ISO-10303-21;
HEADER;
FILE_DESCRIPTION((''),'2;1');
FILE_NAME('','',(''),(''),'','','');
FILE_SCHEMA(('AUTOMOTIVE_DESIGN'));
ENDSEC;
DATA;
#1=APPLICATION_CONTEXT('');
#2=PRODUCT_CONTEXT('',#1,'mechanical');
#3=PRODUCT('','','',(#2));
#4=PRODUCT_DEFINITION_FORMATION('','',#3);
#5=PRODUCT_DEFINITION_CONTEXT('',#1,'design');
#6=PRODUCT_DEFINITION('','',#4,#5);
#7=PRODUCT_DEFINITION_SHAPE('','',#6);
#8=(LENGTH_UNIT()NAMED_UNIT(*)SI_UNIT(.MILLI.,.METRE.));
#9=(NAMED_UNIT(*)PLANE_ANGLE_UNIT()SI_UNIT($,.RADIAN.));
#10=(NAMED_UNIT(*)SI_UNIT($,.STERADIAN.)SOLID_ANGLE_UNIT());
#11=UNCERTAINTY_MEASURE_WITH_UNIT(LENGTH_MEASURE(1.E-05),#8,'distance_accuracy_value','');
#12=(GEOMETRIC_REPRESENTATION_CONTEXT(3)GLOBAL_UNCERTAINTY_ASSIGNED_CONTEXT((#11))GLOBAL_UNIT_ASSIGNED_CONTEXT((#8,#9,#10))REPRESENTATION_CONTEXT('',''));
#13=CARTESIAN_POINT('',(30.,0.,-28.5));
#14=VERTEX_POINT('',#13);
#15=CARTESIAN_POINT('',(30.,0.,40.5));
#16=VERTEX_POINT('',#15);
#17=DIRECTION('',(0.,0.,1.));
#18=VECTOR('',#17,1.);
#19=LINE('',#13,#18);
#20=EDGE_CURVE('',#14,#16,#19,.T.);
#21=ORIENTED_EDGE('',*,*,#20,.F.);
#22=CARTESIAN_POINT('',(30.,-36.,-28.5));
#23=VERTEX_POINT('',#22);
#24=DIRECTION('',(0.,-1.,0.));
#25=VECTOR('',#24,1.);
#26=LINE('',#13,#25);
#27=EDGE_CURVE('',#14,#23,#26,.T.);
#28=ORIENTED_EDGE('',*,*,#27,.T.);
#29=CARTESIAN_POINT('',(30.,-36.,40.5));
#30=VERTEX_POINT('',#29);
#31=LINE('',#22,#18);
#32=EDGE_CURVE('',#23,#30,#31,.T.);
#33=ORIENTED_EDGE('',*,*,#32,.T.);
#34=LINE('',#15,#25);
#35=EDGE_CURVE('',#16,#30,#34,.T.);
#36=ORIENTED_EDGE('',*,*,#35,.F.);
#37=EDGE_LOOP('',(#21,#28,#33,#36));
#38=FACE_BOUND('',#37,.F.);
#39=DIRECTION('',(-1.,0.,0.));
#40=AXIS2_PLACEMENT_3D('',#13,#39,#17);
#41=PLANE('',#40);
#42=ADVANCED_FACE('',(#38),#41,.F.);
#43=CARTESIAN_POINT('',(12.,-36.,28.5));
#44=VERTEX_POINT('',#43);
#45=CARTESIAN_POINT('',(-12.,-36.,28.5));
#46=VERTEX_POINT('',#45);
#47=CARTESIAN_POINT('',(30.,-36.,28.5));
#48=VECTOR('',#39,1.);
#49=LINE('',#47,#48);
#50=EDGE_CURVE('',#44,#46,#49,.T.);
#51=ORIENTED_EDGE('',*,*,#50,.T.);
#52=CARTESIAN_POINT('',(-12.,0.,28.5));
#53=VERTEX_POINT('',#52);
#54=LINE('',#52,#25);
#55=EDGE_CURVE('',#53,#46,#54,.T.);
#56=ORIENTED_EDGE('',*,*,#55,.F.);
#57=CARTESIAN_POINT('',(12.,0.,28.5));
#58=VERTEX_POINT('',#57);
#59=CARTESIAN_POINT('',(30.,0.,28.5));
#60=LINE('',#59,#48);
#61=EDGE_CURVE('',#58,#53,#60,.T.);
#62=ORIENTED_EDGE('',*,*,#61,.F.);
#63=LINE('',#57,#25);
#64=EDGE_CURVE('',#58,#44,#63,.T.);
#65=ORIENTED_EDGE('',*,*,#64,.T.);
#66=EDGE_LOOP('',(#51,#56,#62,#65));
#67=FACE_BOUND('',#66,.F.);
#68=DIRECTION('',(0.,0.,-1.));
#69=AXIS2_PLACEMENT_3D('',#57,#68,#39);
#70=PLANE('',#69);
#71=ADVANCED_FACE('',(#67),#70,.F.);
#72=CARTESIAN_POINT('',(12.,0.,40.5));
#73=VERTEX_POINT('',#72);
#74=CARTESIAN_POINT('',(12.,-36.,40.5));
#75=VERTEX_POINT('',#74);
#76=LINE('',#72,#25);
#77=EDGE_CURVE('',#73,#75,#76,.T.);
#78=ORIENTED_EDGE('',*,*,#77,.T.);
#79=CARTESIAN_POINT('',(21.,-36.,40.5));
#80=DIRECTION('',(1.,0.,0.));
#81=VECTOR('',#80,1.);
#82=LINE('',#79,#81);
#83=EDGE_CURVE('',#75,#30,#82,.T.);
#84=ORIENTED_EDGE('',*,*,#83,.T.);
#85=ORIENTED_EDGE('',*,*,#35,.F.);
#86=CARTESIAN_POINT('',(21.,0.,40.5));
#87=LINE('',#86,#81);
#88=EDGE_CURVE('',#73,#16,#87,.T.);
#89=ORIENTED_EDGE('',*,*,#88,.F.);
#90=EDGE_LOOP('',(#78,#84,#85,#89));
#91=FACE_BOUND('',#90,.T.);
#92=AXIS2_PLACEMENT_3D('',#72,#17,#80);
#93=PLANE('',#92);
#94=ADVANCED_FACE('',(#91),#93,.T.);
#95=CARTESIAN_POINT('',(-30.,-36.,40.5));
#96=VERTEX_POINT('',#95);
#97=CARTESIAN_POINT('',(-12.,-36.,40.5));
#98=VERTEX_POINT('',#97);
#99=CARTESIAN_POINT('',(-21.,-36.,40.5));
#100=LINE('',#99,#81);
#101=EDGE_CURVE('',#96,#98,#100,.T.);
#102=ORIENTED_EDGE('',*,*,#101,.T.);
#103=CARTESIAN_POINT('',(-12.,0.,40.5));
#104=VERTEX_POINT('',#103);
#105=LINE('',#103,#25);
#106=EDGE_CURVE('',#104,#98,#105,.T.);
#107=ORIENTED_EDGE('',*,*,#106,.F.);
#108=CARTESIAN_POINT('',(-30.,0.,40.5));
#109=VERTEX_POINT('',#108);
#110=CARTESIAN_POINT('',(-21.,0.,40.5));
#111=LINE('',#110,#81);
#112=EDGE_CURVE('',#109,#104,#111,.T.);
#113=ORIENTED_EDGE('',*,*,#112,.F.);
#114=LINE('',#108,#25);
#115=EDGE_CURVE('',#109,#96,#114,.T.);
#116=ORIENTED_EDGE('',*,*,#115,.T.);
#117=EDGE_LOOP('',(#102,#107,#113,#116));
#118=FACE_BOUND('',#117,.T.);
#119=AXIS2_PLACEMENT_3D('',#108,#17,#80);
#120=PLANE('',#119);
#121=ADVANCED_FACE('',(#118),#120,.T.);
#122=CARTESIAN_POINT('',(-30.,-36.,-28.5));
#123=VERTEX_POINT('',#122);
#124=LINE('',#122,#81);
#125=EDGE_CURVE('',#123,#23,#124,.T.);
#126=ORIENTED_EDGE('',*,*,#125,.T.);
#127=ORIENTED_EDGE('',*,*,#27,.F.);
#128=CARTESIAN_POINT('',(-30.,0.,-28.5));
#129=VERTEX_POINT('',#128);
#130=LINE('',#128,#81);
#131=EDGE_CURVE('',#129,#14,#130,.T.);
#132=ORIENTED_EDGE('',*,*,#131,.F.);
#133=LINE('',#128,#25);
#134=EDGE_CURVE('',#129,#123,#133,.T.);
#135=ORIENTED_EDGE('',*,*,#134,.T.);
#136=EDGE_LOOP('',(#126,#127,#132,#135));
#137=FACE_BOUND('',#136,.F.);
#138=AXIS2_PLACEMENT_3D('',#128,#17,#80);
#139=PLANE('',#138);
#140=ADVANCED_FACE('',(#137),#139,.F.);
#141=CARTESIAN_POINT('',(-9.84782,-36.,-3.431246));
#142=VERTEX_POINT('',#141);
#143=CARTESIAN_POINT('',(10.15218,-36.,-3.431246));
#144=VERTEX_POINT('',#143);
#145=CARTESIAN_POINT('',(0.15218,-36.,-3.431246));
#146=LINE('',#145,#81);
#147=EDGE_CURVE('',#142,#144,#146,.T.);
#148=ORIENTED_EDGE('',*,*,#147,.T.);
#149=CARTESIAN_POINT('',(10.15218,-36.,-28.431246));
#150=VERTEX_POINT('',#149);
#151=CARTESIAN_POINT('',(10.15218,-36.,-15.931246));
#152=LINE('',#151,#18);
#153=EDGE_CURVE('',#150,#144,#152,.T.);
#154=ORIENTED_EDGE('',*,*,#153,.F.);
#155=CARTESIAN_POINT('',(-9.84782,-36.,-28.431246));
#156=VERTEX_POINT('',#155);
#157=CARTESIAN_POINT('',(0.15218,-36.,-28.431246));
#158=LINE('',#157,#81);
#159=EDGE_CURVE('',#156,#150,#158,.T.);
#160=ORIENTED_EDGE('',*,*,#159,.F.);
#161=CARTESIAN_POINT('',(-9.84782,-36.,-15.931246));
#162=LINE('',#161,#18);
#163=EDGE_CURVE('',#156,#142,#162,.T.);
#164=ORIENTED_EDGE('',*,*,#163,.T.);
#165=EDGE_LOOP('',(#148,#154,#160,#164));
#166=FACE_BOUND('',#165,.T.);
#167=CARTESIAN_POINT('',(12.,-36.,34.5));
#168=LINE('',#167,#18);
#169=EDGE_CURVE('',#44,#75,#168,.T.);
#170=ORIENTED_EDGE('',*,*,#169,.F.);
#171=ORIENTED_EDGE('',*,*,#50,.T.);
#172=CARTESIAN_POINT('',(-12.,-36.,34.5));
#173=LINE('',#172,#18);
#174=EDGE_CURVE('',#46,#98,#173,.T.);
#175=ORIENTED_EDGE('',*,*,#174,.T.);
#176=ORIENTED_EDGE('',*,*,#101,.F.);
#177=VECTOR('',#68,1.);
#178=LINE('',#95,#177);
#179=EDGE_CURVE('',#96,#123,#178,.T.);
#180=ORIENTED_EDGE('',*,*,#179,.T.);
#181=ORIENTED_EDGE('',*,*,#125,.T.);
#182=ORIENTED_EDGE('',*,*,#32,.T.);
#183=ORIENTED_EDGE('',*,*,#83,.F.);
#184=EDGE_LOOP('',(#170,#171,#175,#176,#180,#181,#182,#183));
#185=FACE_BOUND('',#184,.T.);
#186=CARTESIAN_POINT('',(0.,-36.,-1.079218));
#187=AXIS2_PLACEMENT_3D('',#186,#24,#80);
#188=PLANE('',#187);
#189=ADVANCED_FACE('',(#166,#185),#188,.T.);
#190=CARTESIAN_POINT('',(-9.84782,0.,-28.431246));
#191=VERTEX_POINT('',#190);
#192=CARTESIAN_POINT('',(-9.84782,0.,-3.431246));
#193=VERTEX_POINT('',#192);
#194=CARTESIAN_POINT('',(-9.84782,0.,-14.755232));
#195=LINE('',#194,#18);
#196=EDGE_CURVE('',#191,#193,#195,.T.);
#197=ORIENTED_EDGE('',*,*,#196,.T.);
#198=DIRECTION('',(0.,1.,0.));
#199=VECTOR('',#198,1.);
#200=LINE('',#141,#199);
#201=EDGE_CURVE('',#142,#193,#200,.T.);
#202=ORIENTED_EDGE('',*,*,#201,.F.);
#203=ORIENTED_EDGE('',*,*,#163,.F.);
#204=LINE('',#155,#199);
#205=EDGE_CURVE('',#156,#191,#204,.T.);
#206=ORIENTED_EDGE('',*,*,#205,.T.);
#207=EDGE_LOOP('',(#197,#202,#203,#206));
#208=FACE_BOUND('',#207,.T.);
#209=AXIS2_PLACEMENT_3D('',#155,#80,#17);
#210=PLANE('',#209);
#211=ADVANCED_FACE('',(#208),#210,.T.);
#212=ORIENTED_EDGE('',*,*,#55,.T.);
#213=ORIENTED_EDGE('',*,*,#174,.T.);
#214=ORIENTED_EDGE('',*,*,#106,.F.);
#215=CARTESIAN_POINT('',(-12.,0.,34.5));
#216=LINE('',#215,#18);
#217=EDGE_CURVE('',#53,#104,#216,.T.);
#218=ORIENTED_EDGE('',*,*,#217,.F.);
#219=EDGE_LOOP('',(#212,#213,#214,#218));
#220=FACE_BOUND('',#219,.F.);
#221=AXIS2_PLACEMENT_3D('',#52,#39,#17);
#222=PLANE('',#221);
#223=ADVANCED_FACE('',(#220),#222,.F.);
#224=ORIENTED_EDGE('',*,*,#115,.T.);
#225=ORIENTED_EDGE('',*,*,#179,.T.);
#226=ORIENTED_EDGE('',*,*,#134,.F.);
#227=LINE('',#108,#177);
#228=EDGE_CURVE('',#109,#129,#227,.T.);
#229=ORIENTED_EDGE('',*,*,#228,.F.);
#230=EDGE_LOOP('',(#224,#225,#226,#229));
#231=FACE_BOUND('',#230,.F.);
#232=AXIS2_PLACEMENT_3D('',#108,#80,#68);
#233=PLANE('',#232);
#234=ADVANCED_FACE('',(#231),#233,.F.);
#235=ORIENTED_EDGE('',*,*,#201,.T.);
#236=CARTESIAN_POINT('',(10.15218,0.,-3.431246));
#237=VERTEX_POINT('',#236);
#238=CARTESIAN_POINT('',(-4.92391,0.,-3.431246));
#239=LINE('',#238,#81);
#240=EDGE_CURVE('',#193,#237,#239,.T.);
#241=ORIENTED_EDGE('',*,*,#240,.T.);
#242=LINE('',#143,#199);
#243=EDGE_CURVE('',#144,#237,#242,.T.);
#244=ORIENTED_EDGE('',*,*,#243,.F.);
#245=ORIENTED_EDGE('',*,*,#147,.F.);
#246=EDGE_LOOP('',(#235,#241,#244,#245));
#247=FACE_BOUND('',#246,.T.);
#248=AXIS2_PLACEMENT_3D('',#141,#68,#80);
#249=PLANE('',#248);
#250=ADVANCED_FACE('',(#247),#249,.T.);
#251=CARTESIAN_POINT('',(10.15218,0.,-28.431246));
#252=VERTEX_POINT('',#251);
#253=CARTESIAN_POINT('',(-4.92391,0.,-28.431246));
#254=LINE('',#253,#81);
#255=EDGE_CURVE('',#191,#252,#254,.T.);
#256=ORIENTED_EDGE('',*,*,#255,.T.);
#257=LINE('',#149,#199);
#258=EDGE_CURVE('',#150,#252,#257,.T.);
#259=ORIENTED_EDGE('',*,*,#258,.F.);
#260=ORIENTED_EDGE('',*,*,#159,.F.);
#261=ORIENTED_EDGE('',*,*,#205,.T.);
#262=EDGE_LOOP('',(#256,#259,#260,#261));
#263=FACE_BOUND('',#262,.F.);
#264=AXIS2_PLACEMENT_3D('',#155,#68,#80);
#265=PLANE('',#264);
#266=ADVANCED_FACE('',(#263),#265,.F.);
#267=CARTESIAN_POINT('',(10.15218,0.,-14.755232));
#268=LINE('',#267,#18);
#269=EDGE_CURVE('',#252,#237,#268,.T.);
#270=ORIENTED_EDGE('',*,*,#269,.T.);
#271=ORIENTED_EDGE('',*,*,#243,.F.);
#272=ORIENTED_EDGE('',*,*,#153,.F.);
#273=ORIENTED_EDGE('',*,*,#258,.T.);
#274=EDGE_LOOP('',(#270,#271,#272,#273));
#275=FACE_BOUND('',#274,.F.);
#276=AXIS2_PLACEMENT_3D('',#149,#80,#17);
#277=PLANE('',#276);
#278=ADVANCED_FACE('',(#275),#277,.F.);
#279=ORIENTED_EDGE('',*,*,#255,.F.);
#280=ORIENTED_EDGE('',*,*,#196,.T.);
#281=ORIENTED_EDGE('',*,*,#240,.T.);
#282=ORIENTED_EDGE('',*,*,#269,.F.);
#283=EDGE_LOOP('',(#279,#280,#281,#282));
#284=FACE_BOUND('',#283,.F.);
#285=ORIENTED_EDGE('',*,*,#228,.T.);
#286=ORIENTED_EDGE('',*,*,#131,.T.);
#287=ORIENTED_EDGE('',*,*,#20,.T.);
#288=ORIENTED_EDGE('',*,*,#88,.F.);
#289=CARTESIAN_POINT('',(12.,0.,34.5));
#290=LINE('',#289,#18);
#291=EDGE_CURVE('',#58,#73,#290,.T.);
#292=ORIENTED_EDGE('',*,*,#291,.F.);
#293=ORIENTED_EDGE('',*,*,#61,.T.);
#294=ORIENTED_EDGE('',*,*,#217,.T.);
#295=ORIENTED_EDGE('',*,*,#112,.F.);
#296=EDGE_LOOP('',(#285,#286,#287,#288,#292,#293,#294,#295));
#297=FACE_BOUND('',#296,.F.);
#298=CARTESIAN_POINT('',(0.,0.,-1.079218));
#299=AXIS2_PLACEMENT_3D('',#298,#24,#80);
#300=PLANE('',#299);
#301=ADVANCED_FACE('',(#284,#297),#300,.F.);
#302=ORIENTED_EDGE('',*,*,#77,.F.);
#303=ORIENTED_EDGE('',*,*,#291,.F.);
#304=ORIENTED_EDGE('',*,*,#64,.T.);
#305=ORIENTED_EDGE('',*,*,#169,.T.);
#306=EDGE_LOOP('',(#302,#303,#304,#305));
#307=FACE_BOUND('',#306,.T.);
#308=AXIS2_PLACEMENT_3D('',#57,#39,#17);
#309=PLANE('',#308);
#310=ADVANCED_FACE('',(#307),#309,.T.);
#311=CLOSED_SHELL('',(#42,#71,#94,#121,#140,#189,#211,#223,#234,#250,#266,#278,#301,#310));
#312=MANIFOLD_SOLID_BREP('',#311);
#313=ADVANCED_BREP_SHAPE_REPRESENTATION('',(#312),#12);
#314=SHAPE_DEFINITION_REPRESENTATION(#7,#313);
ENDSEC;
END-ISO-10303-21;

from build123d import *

# Parameters (mm, degrees)
F0_W     = 20
F0_H     = 24.55847
F0_W_2   = 18
F0_H_2   = 12
F1_DEPTH = 36
F2_W     = 20
F2_H     = 25
F3_DEPTH = 36.001


with BuildPart() as f1:
    # F0 (on Front) → F1 (new body)
    with BuildSketch(Plane.XZ):
        Polygon((30, -28.5), (30, 28.5), (12, 28.5), (-12, 28.5), (-30, 28.5), (-30, -28.5), (-10, -28.5), (-10, -3.94153), (10, -3.94153), (10, -28.5), align=None)
        with Locations((0, -16.220765)):
            Rectangle(F0_W, F0_H)
        with Locations((21, 34.5)):
            Rectangle(F0_W_2, F0_H_2)
        with Locations((-21, 34.5)):
            Rectangle(F0_W_2, F0_H_2)
    extrude(amount=F1_DEPTH)

    # F2 (on face) → F3 (cut, through all)
    with BuildSketch(Plane.XZ.offset(36)):
        with Locations((0.15218, -15.931246)):
            Rectangle(F2_W, F2_H)
    extrude(amount=-F3_DEPTH, mode=Mode.SUBTRACT)


solid = f1.part
